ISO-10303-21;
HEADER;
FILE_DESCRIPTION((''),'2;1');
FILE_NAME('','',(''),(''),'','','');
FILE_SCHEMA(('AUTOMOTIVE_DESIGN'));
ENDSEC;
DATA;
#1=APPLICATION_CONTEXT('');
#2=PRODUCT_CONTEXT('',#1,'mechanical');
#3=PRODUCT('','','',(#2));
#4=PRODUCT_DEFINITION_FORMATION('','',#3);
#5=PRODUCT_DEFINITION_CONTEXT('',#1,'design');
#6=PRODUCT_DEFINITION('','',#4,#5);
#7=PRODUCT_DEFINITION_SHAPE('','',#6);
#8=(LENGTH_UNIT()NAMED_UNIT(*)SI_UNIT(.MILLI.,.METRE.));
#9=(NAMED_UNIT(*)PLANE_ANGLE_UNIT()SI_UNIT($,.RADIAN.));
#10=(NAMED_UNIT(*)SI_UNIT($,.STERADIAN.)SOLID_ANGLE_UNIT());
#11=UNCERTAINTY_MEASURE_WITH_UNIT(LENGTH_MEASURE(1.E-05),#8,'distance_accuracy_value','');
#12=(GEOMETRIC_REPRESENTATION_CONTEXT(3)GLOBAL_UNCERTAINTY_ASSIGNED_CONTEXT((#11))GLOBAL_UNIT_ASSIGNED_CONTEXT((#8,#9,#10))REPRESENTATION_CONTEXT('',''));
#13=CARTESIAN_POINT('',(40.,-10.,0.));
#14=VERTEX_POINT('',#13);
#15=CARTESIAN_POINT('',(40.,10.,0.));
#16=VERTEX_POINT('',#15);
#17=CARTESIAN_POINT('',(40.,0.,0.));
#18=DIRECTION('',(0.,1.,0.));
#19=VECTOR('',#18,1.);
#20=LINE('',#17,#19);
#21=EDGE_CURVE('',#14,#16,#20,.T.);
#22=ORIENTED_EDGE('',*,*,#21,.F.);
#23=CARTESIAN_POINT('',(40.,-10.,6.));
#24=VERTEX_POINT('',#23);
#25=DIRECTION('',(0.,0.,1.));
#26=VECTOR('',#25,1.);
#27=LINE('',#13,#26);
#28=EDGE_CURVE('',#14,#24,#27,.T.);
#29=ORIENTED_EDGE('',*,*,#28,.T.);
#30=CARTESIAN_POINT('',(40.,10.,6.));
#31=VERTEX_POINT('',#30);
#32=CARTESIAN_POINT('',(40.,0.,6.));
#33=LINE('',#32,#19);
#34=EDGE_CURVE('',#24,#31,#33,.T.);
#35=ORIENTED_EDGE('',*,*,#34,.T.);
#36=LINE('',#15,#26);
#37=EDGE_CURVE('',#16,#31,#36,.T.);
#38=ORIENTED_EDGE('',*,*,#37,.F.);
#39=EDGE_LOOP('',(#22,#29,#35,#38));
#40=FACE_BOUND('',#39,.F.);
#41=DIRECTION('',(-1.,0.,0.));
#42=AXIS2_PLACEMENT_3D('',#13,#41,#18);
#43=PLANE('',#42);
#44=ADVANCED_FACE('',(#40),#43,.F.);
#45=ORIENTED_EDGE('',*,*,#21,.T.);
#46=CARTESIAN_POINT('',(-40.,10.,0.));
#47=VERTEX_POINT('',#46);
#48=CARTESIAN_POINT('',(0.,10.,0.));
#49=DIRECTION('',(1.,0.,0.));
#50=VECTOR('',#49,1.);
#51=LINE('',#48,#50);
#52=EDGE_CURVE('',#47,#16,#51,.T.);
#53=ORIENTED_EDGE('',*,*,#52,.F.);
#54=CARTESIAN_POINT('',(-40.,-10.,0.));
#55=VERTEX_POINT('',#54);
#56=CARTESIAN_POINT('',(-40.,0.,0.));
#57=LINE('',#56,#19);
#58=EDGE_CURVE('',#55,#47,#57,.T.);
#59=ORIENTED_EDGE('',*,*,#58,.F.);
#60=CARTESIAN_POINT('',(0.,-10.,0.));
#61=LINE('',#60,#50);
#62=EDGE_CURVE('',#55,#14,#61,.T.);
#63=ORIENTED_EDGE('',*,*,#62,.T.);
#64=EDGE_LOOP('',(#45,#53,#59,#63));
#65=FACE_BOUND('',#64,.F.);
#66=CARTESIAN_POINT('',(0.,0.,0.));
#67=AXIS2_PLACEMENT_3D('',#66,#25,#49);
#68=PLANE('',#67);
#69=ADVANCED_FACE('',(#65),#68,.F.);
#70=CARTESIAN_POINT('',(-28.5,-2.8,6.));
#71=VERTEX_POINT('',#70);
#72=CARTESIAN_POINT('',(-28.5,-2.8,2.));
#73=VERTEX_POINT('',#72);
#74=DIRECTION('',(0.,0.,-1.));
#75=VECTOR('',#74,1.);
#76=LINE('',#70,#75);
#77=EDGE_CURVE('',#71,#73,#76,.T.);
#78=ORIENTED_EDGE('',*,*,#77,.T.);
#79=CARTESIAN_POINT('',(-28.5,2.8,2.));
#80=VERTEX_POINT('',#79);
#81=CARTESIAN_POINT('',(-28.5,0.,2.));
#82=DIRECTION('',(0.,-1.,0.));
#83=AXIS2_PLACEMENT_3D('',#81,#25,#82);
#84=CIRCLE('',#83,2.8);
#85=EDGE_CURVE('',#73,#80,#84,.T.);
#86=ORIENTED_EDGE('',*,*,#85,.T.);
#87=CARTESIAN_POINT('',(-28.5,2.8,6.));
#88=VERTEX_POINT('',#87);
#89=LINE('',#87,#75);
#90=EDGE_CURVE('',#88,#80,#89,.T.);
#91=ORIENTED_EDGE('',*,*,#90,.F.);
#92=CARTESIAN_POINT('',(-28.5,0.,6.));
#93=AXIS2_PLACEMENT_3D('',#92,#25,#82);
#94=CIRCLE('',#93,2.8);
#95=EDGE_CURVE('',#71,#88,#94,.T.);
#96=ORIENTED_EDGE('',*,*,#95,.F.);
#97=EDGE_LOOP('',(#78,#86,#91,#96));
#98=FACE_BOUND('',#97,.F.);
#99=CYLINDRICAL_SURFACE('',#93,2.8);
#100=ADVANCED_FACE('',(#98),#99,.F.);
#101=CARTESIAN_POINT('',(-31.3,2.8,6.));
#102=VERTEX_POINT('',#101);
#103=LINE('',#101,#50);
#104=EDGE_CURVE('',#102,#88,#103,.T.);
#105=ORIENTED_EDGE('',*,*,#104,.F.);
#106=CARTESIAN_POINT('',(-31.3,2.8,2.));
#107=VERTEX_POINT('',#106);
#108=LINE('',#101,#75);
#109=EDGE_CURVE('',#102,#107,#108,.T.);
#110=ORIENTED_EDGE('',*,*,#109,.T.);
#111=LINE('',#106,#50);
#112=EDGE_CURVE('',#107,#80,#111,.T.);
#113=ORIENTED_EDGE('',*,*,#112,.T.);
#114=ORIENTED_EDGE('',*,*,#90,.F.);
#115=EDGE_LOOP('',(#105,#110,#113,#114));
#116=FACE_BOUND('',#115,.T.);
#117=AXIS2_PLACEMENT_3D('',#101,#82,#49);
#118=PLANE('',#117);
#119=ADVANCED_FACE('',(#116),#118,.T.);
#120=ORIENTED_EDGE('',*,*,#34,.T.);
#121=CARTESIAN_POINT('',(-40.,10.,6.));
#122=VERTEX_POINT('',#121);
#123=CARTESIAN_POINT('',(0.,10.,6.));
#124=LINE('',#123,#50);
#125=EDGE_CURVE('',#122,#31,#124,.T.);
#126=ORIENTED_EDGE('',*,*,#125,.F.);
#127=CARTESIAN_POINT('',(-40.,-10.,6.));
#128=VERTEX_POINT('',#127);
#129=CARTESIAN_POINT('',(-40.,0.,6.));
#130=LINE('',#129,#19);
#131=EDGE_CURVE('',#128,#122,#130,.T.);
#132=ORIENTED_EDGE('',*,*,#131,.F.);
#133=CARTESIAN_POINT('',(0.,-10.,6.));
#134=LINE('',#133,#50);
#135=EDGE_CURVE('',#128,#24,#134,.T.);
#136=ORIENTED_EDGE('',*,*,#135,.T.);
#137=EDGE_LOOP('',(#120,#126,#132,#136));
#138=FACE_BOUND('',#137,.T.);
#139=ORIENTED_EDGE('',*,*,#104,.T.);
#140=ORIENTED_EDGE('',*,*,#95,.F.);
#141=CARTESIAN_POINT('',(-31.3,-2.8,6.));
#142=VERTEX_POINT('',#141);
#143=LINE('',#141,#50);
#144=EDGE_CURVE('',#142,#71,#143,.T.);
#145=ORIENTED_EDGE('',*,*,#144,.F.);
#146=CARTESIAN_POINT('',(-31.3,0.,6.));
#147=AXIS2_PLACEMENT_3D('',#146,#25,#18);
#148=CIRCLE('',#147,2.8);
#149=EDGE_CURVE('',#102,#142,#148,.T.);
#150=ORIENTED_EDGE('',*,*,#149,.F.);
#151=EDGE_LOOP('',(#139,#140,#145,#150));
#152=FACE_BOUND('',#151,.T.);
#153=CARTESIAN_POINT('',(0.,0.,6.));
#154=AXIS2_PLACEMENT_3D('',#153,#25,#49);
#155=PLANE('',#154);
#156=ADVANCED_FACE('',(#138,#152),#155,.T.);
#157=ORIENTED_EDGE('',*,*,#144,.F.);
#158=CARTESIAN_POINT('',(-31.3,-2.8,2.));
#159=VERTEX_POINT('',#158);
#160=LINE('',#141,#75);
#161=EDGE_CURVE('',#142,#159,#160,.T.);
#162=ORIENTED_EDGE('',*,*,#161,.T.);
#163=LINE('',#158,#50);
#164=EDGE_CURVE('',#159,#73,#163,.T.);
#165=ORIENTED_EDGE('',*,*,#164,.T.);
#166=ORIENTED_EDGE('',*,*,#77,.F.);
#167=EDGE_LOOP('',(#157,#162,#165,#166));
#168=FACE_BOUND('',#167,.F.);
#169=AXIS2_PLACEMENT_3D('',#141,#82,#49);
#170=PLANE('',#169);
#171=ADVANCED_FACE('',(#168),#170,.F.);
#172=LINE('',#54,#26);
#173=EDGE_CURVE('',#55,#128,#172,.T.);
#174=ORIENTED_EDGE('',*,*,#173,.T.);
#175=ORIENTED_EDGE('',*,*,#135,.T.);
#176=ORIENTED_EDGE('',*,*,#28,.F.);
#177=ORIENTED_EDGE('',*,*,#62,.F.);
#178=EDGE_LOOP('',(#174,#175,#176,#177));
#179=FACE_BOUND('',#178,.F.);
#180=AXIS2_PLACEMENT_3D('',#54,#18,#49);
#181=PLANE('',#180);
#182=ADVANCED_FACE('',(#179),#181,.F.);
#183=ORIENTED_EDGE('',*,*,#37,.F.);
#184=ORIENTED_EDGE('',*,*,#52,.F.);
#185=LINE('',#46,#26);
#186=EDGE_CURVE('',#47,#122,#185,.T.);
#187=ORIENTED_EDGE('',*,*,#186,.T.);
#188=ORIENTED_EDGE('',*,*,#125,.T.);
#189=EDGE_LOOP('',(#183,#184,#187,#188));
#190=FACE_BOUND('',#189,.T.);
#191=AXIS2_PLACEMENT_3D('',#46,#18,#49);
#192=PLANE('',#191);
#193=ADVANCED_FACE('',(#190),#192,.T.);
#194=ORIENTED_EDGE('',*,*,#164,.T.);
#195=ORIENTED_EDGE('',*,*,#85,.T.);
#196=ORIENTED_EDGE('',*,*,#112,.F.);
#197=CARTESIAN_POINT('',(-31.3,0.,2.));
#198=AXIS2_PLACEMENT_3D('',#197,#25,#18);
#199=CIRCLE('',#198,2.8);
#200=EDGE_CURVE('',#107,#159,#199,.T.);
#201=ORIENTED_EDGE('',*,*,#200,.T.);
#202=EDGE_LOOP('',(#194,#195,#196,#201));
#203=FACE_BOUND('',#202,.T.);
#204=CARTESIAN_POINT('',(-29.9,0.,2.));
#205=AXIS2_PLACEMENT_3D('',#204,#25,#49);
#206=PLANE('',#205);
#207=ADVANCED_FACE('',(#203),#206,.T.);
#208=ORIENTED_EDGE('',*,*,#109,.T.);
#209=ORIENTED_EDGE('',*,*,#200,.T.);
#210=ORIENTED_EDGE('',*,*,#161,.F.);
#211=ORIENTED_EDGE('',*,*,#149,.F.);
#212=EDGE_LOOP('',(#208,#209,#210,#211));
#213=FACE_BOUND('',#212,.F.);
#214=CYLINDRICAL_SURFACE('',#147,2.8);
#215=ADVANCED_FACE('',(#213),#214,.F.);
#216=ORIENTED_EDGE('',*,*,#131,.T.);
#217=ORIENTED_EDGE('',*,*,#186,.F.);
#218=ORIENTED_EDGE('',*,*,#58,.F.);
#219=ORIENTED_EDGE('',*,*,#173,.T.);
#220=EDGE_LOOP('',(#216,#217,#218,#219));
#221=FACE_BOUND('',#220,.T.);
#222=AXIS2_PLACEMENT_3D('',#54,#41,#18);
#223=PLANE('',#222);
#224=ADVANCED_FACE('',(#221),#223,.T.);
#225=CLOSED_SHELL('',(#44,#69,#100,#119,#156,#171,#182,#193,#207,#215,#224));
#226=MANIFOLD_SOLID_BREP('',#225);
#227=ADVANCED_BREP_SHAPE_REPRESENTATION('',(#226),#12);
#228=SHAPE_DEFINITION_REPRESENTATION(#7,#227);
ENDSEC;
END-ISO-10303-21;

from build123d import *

# Parameters (mm, degrees)
SKETCH_W     = 80
SKETCH_H     = 20
PAD_DEPTH    = 6
POCKET_DEPTH = 4


with BuildPart() as part:
    # Sketch → Pad (new body)
    with BuildSketch(Plane.XY):
        Rectangle(SKETCH_W, SKETCH_H)
    extrude(amount=PAD_DEPTH)

    # Sketch001 → Pocket (cut)
    with BuildSketch(Plane.XY.offset(6)):
        with BuildLine():
            ThreePointArc((-31.3, 2.8), (-34.1, 0), (-31.3, -2.8))
            Line((-31.3, -2.8), (-28.5, -2.8))
            ThreePointArc((-28.5, -2.8), (-25.7, 0), (-28.5, 2.8))
            Line((-31.3, 2.8), (-28.5, 2.8))
        make_face()
    extrude(amount=-POCKET_DEPTH, mode=Mode.SUBTRACT)


solid = part.part
